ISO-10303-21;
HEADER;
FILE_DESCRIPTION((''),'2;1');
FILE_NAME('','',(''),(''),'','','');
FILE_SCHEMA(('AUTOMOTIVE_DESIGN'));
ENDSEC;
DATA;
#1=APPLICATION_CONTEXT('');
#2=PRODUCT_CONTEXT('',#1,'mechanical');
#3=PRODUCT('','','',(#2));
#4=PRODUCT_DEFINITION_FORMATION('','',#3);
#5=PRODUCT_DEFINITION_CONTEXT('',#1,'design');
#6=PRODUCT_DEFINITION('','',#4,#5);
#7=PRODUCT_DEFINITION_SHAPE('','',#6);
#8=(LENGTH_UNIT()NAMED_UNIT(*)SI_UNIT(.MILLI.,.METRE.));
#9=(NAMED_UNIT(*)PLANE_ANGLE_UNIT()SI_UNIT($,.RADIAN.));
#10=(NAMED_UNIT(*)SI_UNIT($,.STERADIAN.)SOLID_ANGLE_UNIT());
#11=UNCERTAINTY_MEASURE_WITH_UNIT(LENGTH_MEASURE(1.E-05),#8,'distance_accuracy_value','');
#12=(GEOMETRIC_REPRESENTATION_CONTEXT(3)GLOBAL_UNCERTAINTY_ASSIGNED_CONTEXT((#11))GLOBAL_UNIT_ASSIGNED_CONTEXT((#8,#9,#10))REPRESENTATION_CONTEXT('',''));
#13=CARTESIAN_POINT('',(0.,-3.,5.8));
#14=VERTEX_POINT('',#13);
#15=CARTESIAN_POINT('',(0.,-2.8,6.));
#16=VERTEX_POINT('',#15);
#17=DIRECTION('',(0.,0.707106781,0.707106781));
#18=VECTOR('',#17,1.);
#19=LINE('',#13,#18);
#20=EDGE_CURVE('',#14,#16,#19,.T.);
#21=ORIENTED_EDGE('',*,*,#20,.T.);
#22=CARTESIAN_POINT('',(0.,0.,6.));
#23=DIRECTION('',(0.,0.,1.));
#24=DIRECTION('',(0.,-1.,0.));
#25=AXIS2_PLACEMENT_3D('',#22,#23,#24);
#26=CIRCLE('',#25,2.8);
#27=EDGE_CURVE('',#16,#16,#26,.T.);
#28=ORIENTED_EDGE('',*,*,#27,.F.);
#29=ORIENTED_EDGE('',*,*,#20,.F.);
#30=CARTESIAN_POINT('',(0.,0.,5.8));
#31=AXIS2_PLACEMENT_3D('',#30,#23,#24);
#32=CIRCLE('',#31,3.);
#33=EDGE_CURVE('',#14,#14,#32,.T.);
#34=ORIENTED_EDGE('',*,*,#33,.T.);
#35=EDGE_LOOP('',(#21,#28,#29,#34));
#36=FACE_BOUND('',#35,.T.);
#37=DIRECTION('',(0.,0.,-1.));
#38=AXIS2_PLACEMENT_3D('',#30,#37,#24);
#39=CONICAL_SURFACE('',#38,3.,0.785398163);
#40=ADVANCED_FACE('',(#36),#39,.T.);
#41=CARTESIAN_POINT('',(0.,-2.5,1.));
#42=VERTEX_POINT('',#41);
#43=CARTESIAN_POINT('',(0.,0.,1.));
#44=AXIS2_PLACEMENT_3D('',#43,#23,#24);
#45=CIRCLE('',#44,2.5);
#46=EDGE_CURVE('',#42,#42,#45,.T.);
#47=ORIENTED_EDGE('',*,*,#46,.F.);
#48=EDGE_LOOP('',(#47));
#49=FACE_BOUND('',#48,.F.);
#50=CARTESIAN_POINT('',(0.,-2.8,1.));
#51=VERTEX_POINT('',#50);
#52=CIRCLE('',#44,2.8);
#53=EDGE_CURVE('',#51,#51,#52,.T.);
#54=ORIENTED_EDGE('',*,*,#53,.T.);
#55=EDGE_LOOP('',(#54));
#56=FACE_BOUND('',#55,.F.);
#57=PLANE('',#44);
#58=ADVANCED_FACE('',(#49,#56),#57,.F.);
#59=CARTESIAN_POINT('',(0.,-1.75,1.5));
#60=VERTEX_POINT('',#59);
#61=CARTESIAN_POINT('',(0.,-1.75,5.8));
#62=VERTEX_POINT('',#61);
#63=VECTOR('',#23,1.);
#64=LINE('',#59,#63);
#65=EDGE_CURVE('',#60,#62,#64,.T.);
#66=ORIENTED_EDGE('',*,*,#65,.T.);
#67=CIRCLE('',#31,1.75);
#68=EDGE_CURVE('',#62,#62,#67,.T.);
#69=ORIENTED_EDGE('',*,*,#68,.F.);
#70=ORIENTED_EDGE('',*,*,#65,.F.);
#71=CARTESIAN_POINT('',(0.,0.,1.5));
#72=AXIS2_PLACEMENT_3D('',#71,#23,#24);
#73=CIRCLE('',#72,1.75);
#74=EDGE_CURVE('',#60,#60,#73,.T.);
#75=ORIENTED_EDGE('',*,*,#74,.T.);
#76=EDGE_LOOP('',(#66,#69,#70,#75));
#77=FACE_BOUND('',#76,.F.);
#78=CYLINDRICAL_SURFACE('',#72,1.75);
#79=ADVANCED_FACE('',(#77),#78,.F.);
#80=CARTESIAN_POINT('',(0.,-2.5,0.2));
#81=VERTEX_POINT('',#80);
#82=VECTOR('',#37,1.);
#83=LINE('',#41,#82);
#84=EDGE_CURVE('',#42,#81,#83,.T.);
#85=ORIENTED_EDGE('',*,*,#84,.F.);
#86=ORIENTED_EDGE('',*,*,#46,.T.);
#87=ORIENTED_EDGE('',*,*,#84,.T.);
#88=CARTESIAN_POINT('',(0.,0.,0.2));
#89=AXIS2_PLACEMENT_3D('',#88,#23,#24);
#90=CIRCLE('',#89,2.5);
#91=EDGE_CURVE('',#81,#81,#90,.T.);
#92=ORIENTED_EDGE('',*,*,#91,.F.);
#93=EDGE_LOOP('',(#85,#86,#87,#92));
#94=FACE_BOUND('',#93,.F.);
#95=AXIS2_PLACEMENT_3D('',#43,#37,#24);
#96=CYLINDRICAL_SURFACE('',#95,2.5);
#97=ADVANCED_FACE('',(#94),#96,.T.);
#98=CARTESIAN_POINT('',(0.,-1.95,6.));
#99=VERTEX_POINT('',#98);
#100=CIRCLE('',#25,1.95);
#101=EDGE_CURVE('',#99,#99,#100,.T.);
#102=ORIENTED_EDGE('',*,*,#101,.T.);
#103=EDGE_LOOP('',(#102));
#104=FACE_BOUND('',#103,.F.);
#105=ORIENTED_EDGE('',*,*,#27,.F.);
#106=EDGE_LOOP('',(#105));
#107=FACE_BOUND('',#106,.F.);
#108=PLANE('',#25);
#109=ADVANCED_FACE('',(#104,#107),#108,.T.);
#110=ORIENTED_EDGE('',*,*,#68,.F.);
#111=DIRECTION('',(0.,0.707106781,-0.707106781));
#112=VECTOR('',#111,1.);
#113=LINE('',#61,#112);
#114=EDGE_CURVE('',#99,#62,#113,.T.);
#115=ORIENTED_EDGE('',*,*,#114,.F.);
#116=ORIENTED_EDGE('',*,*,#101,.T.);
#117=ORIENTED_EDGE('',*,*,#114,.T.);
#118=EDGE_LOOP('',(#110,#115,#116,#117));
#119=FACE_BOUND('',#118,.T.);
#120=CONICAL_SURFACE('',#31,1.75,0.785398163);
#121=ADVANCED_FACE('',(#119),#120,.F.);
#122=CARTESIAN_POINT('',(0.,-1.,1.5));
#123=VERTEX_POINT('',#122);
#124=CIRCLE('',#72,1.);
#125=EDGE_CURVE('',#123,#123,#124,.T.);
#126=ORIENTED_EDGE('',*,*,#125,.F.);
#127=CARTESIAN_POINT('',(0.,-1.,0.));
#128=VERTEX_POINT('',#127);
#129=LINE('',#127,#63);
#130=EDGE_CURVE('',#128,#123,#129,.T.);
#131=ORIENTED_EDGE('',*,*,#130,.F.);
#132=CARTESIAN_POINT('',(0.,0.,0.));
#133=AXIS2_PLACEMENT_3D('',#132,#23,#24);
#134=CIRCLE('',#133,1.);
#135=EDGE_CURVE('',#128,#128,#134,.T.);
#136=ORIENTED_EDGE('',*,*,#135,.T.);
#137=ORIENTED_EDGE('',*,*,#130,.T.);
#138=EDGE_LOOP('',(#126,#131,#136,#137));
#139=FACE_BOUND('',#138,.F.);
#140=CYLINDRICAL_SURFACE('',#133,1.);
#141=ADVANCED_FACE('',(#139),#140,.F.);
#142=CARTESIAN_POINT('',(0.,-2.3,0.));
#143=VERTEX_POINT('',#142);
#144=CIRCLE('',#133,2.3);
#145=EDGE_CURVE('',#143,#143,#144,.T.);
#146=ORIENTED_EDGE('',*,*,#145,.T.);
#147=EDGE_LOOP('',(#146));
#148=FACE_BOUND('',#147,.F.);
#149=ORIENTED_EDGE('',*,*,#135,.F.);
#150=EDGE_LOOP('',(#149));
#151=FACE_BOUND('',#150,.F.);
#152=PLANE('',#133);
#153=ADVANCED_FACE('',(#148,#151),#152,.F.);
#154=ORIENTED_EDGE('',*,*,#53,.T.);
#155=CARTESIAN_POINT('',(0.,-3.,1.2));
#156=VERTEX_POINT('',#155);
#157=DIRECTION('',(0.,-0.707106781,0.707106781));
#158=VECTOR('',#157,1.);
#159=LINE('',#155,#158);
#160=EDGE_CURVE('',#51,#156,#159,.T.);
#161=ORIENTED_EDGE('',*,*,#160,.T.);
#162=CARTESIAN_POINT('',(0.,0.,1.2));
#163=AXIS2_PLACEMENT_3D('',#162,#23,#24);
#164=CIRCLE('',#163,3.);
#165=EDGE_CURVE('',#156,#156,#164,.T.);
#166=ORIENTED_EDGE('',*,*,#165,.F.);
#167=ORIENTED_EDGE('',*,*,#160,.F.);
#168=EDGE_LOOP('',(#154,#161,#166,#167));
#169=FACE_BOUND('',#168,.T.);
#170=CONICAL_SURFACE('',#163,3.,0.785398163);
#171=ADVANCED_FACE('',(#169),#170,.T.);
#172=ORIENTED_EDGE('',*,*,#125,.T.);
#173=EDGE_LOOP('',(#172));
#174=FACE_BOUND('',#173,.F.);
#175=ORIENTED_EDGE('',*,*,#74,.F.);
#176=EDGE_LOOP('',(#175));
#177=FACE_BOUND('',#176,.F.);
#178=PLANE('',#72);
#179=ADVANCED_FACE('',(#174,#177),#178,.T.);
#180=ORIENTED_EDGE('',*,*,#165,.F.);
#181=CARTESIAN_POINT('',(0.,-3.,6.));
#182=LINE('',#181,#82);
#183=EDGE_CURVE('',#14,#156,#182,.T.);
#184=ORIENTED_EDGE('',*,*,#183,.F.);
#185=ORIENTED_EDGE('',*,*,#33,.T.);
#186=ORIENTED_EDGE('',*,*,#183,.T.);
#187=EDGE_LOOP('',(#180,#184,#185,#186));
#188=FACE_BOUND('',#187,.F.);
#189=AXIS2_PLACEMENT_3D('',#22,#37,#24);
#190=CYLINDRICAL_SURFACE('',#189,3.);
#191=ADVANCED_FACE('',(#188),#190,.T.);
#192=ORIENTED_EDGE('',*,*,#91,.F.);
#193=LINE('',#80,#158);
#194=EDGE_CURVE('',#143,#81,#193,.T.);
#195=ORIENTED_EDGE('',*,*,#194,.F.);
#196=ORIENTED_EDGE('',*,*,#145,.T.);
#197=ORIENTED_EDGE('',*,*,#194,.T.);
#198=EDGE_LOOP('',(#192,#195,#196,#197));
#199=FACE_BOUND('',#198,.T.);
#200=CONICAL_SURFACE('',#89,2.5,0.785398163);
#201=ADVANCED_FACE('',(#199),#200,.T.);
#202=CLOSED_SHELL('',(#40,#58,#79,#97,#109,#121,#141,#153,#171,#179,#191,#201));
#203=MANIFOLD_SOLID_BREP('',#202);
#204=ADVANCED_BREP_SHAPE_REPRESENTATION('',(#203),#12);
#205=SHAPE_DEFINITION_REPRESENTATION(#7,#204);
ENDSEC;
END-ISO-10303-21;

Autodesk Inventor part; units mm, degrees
ref_plane "YZ Plane" through (0, 0, 0) normal (1, 0, 0) x (0, 1, 0)
ref_plane "XZ Plane" through (0, 0, 0) normal (0, 1, 0) x (-1, 0, 0)
ref_plane "XY Plane" through (0, 0, 0) normal (0, 0, 1) x (1, 0, 0)
sketch "Skizze3" plane through (0, 0, 0) normal (1, 0, 0) x (0, 1, 0)
  line L0 (0, 0) -> (0, 9.4008)
  line L1 (-1, 0) -> (-1, 1.5)
  line L2 (-1, 1.5) -> (-1.75, 1.5)
  line L3 (-1.75, 1.5) -> (-1.75, 6)
  line L4 (-1.75, 6) -> (-3, 6)
  line L5 (-2.5, 0) -> (0, 0)
  line L6 (-3, 6) -> (-3, 1)
  line L7 (-3, 1) -> (-2.5, 1)
  line L8 (-2.5, 1) -> (-2.5, 0)
  dimension "d4" = 2
  dimension "d5" = 1.5
  dimension "d6" = 3.5
  dimension "d8" = 5
  dimension "d9" = 6
  dimension "d10" = 1
  dimension "d11" = 6
revolve "Umdrehung1" add sketch "Skizze3" angle 360 about axis through (0, 0, 0) along (0, 0, 1)
chamfer "Fase1" distance 0.2 angle 45 4 edges at (0, 1.75, 6) (0, 2.5, 0) (0, 3, 1) (0, 3, 6)
thread "Gewinde2" size "M6x1" class "6g" standard "ISO Metric profile" length 5
properties part number "BT004_huenin20_23" material "Kupfer"
